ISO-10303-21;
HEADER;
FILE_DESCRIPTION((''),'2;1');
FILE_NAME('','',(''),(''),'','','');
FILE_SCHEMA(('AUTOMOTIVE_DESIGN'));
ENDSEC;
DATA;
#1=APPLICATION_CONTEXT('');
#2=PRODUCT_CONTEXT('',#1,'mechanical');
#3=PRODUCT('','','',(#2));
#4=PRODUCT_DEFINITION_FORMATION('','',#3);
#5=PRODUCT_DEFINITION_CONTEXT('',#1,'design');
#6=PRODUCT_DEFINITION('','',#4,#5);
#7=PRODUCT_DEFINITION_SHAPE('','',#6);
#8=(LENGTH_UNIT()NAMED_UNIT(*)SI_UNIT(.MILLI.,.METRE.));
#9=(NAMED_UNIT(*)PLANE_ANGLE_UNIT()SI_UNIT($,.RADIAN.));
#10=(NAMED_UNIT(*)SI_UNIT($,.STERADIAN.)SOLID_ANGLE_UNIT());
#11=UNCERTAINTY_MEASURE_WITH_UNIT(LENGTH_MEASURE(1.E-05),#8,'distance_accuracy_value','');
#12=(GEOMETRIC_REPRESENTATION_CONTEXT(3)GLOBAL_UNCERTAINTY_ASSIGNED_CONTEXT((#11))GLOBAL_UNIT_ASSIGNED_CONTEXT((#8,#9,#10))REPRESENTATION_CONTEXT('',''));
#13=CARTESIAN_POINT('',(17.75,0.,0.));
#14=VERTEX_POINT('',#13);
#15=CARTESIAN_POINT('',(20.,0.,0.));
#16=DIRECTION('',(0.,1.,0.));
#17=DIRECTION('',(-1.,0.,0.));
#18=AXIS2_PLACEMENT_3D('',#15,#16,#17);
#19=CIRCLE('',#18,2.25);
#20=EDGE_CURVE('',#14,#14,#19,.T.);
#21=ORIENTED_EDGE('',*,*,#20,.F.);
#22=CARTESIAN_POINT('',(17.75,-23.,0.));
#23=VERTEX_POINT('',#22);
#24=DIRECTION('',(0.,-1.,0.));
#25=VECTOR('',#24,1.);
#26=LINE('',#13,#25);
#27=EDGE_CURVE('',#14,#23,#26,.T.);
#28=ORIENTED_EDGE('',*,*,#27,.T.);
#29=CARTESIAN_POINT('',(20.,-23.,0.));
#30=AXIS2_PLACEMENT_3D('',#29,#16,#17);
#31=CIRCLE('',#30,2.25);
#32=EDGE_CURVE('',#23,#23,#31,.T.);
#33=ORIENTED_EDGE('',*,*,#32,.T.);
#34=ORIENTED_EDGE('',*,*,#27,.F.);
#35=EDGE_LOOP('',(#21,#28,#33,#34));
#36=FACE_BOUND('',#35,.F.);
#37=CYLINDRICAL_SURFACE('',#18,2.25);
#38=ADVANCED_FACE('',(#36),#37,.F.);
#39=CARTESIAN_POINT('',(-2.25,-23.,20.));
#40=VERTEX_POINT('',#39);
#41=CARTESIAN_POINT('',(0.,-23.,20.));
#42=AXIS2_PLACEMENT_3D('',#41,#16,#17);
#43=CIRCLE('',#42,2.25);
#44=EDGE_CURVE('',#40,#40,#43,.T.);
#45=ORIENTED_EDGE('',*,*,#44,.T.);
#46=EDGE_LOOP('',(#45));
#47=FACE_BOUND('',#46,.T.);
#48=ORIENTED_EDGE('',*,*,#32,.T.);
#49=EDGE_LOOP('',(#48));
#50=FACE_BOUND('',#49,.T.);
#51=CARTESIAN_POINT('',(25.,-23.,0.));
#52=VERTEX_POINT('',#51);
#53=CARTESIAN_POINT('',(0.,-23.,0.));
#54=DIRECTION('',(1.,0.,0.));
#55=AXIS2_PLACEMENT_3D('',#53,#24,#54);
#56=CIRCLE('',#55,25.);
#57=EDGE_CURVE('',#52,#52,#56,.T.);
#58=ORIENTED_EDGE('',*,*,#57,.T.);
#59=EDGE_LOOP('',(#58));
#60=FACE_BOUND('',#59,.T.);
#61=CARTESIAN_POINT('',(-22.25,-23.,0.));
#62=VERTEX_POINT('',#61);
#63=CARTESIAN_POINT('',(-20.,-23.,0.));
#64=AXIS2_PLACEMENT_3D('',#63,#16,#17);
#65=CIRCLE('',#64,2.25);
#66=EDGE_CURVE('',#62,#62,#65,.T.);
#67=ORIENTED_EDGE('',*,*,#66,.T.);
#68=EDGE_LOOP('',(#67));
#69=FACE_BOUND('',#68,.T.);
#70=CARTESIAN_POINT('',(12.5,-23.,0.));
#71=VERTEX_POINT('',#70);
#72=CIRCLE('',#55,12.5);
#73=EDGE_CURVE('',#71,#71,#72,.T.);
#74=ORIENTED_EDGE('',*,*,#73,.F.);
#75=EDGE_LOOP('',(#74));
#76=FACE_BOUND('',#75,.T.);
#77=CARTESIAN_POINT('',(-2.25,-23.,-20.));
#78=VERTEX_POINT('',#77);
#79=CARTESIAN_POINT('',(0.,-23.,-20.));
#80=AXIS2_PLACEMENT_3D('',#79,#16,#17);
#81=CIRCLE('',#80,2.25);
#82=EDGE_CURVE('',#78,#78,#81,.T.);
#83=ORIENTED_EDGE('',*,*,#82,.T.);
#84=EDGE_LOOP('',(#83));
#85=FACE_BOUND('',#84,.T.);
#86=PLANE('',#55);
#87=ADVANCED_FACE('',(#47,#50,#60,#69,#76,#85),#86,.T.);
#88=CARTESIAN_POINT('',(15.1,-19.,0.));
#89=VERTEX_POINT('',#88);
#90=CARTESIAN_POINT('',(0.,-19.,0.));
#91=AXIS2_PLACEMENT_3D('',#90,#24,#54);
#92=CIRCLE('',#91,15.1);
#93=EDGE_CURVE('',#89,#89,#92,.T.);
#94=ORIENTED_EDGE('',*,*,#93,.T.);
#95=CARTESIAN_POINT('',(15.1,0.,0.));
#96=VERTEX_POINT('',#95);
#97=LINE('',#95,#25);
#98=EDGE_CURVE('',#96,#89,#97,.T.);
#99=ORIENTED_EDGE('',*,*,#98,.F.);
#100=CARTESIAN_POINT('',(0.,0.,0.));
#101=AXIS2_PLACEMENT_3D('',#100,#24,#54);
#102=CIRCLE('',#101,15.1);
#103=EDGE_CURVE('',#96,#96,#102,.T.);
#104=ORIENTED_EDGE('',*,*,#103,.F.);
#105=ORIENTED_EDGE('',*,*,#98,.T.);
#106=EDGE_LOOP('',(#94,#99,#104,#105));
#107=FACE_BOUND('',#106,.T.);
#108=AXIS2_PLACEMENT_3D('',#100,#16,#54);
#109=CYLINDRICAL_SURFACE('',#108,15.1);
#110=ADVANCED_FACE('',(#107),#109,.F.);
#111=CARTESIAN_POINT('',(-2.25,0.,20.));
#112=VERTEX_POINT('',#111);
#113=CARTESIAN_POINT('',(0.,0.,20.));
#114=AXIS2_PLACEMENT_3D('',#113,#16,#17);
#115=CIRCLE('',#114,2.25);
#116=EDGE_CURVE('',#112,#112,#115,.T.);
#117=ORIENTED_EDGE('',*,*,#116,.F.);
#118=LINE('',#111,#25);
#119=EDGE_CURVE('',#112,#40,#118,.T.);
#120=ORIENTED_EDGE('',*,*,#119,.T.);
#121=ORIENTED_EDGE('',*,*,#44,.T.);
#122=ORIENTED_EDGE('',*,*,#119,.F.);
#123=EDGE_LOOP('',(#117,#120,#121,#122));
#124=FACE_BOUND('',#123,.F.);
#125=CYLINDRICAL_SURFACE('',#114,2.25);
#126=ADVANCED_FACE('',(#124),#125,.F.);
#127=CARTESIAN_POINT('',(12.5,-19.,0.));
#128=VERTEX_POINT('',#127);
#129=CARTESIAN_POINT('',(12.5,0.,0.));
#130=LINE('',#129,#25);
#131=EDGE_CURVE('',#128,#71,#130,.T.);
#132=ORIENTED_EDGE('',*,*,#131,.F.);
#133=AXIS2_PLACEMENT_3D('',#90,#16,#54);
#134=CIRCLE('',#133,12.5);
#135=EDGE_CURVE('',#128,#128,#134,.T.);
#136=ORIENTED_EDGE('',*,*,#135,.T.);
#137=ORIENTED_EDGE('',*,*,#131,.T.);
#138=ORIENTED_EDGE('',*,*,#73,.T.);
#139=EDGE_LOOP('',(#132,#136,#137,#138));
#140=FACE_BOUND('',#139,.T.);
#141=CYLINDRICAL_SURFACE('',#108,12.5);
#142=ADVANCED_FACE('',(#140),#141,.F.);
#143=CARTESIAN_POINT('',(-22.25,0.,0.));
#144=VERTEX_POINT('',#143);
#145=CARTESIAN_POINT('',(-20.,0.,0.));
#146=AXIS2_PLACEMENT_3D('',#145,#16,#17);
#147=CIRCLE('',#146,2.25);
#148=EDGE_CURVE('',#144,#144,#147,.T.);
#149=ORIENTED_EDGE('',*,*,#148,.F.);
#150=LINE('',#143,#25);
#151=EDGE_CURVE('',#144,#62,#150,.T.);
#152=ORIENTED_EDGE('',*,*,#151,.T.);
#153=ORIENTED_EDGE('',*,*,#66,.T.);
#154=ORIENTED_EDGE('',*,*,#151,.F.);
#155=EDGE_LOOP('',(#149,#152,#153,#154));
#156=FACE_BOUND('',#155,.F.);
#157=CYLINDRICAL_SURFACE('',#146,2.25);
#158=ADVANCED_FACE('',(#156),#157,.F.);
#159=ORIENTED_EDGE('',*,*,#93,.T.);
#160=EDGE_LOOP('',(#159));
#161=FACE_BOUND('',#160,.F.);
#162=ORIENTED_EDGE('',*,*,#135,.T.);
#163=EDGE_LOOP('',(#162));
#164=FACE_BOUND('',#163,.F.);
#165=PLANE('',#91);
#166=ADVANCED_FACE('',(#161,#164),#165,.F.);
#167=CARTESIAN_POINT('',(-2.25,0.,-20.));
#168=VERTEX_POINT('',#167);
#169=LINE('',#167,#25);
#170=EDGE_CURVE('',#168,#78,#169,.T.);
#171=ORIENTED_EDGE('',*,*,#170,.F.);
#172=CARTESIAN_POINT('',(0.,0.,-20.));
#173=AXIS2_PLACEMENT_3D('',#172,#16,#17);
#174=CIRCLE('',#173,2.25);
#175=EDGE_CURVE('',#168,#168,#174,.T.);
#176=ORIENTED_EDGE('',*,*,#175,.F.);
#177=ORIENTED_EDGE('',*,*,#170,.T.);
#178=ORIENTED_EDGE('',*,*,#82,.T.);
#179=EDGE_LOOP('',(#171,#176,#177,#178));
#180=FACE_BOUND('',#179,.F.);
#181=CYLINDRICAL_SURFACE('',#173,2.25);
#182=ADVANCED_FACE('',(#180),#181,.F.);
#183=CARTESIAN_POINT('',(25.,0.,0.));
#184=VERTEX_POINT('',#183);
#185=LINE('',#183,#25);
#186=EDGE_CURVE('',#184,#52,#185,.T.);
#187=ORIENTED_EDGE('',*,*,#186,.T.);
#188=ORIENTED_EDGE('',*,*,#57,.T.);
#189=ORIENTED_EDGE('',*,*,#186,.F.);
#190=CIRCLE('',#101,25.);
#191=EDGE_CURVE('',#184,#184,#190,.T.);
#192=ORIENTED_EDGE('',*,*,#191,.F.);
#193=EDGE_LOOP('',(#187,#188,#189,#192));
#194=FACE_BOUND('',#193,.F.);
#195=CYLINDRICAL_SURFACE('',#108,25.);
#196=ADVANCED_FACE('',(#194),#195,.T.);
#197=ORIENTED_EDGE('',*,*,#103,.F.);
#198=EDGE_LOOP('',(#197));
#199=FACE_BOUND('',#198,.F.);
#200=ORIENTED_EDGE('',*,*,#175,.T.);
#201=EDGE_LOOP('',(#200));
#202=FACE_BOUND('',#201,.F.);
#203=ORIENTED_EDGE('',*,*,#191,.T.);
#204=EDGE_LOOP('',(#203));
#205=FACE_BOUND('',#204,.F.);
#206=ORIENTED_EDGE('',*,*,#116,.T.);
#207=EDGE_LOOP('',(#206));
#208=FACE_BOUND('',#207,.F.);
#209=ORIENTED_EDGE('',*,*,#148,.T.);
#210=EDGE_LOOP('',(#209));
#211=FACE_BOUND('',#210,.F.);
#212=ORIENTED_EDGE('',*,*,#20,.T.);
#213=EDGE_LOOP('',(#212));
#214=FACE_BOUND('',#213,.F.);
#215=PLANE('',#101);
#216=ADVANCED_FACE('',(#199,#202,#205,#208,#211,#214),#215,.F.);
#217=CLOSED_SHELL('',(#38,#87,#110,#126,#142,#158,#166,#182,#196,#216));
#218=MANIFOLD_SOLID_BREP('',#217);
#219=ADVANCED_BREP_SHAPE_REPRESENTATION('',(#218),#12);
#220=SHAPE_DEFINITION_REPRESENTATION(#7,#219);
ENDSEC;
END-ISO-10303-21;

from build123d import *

# Parameters (mm, degrees)
F0_R     = 25
F0_R_2   = 12.5
F1_DEPTH = 23
F2_R     = 15.1
F3_DEPTH = 19
F4_R     = 2.25
F5_DEPTH = 25


with BuildPart() as f1:
    # F0 (on Front) → F1 (new body)
    with BuildSketch(Plane.XZ):
        Circle(F0_R)
        Circle(F0_R_2, mode=Mode.SUBTRACT)
    extrude(amount=F1_DEPTH)

    # F2 (on Front) → F3 (cut)
    with BuildSketch(Plane.XZ):
        Circle(F2_R)
    extrude(amount=F3_DEPTH, mode=Mode.SUBTRACT)

    # F4 (on face) → F5 (cut)
    with BuildSketch(Plane(origin=(0, 0, 0), x_dir=(-1, 0, 0), z_dir=(0, 1, 0))):
        with Locations((20, 0)):
            Circle(F4_R)
        with Locations((0, -20)):
            Circle(F4_R)
        with Locations((-20, 0)):
            Circle(F4_R)
        with Locations((0, 20)):
            Circle(F4_R)
    extrude(amount=-F5_DEPTH, mode=Mode.SUBTRACT)


solid = f1.part
